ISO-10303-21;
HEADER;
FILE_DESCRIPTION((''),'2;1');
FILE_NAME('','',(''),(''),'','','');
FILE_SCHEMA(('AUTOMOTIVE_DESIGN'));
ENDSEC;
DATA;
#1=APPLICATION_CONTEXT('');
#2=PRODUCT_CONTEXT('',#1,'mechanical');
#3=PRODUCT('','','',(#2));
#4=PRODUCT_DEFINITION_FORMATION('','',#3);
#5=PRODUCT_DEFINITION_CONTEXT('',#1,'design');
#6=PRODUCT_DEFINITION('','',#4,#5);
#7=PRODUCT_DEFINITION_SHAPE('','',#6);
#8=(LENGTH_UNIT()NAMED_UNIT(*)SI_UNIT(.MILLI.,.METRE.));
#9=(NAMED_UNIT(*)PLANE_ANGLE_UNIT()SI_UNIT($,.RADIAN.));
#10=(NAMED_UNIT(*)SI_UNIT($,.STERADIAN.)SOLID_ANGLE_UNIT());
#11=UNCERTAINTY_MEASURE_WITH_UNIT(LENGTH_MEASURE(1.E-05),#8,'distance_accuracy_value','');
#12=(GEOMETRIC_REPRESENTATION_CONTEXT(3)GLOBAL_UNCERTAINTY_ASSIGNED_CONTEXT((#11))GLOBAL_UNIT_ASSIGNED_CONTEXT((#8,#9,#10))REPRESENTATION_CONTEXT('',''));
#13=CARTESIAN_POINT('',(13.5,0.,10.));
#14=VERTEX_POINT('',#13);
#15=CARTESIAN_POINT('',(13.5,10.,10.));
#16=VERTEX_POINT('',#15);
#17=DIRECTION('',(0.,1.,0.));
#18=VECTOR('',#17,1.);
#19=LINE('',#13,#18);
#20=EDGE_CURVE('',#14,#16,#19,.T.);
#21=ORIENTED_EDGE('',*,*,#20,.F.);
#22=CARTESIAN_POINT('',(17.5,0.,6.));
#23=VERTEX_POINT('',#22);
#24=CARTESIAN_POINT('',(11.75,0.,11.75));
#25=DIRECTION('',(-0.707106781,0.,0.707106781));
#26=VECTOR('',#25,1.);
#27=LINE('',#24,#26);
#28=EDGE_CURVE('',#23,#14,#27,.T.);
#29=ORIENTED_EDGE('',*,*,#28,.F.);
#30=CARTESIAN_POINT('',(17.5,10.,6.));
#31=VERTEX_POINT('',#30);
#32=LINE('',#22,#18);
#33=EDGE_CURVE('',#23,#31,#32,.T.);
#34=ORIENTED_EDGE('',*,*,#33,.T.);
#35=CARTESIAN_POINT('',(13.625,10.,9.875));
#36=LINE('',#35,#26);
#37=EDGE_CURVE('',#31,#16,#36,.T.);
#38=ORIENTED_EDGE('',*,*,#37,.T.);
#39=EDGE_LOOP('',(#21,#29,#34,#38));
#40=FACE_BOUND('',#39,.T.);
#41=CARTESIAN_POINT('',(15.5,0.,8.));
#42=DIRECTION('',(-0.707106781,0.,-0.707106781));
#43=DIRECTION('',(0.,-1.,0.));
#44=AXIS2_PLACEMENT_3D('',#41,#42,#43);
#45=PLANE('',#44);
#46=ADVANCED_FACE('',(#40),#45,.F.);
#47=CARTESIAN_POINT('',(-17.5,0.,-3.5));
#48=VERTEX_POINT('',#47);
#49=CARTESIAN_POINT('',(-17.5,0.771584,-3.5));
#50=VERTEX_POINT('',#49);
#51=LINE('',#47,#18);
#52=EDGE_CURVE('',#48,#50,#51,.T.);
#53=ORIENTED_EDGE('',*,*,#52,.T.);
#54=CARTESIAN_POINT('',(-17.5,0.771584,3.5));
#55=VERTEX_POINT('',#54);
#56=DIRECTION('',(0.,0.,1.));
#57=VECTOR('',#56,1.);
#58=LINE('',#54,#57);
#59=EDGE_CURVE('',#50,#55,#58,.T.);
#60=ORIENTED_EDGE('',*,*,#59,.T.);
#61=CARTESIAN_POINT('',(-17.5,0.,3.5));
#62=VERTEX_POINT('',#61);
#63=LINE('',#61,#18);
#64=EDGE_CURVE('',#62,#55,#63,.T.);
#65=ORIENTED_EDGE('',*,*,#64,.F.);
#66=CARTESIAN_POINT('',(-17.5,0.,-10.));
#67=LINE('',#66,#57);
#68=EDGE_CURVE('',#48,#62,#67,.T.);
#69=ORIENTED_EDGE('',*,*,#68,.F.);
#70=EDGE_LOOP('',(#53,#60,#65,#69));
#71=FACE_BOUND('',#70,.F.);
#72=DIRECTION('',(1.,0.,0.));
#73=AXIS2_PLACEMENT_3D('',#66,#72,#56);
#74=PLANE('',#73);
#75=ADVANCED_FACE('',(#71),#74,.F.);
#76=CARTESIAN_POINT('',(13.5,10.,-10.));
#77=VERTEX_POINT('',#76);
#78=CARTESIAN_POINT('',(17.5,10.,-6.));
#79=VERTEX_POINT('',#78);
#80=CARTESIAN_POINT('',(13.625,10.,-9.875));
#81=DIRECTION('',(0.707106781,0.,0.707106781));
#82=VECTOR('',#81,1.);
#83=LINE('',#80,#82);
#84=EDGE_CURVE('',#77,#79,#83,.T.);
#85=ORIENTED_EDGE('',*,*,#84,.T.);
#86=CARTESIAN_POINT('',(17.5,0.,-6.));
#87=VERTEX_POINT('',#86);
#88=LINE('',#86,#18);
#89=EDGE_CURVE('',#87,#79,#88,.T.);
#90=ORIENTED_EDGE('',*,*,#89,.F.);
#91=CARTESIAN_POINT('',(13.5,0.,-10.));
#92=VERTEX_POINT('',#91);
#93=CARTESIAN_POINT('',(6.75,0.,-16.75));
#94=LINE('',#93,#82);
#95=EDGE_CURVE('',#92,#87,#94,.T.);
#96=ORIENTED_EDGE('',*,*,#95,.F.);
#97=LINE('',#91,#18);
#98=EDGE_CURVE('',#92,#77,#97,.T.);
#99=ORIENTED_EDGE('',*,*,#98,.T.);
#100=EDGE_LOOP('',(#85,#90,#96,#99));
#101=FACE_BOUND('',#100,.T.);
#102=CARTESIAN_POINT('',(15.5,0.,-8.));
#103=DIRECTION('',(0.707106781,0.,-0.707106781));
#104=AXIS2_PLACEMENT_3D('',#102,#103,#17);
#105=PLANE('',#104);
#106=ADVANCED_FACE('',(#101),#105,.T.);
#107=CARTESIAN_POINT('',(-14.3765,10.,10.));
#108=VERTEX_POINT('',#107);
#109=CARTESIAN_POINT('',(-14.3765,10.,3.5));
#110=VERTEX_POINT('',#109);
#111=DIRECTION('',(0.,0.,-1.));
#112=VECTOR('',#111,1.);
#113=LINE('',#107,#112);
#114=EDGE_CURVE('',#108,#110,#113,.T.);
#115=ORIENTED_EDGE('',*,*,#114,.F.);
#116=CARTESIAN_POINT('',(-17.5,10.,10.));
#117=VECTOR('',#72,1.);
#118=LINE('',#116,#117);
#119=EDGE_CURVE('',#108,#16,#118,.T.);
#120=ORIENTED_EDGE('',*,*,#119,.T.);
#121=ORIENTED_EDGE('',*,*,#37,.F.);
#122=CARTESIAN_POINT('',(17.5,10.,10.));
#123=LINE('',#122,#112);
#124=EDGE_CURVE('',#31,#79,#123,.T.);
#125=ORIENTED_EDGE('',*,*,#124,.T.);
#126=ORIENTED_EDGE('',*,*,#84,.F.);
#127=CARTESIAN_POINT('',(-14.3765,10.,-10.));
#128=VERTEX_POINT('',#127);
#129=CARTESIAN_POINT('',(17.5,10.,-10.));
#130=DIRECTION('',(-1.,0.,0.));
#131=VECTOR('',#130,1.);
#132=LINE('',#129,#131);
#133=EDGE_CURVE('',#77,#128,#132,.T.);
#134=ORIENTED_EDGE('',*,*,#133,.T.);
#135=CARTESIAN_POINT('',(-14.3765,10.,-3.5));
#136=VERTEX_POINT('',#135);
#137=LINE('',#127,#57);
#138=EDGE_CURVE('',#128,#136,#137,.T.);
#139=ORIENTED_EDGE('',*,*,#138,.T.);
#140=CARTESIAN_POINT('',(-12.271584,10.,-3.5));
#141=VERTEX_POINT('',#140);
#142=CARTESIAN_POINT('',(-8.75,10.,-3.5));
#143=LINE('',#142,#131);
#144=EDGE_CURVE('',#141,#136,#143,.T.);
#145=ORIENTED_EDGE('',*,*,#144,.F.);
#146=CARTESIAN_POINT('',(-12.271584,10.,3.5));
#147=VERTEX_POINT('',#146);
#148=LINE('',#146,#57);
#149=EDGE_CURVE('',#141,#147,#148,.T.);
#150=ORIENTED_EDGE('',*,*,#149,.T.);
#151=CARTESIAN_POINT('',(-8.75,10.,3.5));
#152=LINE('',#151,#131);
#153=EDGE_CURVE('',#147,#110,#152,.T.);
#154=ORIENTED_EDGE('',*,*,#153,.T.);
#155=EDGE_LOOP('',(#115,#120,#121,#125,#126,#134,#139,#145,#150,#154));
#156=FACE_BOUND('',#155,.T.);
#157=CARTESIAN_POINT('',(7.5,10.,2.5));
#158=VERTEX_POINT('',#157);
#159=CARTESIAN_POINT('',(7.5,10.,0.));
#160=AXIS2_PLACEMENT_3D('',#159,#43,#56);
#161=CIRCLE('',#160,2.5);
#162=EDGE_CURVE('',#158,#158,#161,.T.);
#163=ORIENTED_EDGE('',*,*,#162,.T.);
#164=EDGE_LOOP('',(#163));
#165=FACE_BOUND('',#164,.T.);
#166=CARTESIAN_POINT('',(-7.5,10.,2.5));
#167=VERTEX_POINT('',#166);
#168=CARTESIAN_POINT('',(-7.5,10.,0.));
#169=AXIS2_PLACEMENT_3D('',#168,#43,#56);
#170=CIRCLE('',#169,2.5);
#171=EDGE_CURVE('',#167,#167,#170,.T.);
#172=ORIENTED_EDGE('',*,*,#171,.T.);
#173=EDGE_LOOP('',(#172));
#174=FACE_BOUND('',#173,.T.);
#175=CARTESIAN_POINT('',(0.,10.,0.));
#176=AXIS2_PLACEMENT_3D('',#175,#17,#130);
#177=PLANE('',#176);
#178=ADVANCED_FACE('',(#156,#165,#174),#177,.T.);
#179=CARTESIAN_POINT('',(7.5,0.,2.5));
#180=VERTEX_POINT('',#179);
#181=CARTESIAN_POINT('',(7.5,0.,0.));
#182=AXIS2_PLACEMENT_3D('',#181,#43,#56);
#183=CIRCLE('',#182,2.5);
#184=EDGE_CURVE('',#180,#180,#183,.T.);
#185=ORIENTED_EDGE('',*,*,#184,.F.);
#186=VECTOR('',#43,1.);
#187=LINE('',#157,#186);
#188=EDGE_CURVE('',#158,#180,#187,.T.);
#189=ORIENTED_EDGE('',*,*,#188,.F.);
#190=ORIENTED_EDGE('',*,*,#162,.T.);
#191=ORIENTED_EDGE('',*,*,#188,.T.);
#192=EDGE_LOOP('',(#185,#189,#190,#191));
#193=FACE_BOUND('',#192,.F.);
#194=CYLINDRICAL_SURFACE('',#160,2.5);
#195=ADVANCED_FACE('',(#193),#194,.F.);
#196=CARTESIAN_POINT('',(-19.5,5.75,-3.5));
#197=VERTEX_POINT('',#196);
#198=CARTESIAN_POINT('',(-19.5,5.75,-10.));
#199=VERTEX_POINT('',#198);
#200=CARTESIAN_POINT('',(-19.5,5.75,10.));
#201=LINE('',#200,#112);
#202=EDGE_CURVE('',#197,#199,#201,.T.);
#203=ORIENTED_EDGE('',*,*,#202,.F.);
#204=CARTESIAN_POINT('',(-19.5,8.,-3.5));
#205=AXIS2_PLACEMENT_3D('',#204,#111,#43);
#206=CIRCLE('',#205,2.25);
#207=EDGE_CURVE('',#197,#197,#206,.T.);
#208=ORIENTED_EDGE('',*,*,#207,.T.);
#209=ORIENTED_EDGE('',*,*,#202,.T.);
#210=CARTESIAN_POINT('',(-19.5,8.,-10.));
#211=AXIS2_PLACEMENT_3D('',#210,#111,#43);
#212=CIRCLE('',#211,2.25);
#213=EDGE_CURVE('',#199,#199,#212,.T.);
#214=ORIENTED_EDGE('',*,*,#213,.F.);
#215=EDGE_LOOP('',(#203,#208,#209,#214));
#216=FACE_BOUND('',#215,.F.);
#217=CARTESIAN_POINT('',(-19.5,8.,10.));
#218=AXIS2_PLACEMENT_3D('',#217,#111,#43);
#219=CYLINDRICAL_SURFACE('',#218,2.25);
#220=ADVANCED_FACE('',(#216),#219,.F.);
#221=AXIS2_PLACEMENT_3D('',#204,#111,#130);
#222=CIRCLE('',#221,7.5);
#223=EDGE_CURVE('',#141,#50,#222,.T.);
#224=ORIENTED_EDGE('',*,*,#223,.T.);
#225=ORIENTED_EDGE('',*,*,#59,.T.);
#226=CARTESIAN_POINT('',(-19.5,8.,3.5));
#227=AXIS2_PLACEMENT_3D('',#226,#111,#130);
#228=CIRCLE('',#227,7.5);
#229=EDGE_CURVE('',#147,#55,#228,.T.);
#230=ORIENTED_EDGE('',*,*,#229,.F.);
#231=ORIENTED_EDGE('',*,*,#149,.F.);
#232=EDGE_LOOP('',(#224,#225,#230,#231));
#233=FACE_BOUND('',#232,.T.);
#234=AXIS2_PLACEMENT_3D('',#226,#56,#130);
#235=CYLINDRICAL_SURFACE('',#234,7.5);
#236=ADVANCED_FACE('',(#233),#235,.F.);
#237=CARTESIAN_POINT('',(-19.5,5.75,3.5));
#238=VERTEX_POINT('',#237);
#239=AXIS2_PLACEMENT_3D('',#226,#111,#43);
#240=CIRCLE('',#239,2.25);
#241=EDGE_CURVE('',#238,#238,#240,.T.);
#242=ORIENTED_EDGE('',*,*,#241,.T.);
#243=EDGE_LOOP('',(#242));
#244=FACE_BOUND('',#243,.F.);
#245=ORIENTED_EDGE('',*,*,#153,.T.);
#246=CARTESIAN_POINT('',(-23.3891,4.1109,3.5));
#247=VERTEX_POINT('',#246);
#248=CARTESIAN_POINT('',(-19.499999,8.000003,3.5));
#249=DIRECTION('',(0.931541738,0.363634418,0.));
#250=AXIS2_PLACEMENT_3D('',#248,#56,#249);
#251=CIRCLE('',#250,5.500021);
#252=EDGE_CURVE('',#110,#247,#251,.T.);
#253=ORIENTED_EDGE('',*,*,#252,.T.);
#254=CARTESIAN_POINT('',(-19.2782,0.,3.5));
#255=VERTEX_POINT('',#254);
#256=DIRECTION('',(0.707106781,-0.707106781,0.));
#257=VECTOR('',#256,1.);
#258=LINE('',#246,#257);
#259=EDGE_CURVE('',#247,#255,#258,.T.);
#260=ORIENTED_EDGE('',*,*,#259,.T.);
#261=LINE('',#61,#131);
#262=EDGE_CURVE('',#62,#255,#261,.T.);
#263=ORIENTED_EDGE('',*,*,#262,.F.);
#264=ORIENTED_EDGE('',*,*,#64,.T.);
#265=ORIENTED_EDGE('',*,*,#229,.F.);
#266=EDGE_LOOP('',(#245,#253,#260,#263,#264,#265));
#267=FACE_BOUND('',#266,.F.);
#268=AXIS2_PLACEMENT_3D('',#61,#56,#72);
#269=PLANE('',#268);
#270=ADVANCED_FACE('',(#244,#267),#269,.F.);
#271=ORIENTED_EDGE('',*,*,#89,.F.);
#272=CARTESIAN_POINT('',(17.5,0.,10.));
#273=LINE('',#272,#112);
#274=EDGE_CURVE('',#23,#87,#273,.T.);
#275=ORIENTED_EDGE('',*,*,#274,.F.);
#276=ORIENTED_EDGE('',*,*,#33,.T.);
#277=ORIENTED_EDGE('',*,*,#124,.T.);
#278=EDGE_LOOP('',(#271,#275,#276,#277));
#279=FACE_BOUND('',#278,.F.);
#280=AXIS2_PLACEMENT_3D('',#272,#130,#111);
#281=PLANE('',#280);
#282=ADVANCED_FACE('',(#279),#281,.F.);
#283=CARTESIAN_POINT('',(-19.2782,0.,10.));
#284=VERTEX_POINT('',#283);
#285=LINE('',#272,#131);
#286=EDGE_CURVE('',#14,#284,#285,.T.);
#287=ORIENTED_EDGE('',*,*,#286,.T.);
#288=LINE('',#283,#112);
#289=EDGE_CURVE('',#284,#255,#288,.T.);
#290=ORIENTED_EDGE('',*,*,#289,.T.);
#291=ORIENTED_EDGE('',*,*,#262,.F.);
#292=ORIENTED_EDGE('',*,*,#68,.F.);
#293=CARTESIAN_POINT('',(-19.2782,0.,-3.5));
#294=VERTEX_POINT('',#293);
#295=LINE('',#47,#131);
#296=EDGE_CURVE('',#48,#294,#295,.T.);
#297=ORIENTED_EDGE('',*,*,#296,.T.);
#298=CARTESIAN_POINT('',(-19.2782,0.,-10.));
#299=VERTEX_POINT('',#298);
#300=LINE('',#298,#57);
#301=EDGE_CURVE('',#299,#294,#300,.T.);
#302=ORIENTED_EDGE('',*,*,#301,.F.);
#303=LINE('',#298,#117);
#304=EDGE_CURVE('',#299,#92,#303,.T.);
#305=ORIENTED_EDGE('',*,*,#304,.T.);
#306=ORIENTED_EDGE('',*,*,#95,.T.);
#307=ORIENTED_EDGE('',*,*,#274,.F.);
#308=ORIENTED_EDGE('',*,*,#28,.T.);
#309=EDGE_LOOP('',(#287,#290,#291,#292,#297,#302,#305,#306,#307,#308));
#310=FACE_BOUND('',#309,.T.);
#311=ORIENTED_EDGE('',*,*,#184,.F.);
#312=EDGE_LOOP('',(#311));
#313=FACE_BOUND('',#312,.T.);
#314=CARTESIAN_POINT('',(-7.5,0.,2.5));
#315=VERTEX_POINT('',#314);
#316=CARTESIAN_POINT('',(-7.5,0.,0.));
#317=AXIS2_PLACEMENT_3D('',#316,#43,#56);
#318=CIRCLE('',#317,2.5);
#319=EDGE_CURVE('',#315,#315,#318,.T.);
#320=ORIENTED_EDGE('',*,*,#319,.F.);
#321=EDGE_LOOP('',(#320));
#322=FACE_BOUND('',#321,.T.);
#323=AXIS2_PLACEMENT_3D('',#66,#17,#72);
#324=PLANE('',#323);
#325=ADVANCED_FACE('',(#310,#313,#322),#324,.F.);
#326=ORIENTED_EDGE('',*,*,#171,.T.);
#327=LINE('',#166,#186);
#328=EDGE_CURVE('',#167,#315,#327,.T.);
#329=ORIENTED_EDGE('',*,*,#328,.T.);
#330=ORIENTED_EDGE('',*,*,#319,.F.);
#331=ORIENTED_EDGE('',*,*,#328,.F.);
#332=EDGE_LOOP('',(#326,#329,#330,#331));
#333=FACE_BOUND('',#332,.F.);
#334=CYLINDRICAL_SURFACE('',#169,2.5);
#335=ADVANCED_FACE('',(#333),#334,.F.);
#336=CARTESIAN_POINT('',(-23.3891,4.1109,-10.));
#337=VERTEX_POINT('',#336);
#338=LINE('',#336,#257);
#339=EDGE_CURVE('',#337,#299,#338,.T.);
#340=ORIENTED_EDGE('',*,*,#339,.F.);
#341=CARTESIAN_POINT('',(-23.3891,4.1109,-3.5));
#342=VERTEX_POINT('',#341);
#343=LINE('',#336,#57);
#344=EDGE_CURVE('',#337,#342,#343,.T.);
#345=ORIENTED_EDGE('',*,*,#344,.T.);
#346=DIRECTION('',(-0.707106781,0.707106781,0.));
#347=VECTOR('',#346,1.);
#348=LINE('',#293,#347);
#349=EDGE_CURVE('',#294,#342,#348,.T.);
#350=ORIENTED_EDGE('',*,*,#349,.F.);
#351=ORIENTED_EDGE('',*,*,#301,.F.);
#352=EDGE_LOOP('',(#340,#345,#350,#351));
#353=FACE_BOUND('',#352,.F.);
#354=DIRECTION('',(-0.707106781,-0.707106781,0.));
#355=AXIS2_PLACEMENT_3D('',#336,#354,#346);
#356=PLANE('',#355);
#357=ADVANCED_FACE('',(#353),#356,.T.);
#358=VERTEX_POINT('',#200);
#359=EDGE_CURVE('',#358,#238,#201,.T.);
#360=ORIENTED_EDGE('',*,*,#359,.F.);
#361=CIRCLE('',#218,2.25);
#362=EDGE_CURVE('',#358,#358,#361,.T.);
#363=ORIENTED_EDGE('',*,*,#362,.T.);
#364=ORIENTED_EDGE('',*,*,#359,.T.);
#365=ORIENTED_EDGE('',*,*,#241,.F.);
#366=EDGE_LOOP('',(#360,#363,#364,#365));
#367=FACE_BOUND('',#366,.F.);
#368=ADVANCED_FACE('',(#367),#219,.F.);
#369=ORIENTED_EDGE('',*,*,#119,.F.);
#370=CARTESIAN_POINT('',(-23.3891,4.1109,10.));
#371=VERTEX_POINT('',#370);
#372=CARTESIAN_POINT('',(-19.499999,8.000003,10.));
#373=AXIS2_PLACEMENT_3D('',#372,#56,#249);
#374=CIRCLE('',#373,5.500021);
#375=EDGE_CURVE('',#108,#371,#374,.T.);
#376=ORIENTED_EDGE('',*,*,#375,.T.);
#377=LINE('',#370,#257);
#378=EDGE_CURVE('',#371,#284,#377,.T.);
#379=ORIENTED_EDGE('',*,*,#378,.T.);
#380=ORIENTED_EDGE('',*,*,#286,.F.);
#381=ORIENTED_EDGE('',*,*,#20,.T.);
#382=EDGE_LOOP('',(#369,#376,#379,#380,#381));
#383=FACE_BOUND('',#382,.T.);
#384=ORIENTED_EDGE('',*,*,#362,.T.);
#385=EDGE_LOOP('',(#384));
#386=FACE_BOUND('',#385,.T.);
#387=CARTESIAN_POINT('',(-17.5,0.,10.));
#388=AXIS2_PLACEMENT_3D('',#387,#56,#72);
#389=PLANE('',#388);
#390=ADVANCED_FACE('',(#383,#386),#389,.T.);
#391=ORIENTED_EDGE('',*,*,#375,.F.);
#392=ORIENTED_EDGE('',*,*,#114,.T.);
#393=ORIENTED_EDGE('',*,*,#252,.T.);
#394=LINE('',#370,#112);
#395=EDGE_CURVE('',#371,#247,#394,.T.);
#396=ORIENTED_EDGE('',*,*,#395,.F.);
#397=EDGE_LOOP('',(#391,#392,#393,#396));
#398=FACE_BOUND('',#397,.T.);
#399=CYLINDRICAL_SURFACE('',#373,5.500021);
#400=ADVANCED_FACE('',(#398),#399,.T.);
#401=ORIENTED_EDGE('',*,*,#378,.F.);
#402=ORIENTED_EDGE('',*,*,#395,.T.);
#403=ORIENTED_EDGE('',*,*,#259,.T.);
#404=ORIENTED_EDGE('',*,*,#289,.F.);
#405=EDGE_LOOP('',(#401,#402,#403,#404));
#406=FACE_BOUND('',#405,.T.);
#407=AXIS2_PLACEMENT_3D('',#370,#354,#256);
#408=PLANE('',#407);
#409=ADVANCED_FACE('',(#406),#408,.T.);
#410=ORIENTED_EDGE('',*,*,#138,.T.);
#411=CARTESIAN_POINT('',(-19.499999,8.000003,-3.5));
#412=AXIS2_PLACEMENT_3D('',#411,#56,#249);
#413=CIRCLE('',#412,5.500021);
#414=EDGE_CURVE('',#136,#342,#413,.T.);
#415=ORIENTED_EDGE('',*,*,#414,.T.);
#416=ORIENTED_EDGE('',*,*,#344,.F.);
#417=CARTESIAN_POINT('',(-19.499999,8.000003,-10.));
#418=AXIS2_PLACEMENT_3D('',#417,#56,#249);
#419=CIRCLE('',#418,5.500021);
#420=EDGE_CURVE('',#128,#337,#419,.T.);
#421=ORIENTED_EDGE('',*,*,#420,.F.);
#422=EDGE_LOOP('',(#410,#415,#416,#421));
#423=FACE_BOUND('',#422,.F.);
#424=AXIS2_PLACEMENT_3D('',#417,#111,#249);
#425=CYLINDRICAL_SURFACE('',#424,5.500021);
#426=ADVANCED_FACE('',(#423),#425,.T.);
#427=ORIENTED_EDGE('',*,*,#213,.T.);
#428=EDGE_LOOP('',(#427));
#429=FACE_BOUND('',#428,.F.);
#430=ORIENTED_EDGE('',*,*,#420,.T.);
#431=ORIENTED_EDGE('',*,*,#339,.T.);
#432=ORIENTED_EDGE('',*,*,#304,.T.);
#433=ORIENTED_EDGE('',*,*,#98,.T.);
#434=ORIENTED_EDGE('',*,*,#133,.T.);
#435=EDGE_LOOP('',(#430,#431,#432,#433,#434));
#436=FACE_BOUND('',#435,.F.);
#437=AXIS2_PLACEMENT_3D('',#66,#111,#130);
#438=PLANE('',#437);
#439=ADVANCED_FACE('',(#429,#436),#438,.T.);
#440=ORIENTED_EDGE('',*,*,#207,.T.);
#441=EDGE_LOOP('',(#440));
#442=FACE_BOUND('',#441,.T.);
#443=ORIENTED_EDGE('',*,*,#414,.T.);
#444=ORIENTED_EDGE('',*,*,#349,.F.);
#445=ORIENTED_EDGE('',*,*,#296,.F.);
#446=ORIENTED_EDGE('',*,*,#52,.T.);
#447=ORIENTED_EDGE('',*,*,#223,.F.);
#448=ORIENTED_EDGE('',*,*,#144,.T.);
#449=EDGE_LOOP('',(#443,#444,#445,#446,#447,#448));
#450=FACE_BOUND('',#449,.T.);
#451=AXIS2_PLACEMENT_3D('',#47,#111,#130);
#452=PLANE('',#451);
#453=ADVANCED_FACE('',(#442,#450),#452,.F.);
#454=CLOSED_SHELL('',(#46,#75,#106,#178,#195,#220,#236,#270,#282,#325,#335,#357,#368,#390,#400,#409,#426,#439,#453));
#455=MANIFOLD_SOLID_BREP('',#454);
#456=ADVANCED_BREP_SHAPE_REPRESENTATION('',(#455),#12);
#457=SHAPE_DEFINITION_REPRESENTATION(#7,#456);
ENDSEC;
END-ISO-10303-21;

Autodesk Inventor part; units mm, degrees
ref_plane "YZ Plane" through (0, 0, 0) normal (1, 0, 0) x (0, 1, 0)
ref_plane "XZ Plane" through (0, 0, 0) normal (0, 1, 0) x (-1, 0, 0)
ref_plane "XY Plane" through (0, 0, 0) normal (0, 0, 1) x (1, 0, 0)
sketch "Sketch1" plane through (0, 0, 0) normal (0, 1, 0) x (-1, 0, 0)
  line L0 (17.5, 10) -> (-17.5, 10)
  line L1 (-17.5, 10) -> (-17.5, -10)
  line L2 (-17.5, -10) -> (17.5, -10)
  line L3 (17.5, -10) -> (17.5, 10)
  line L4 (17.5, 10) -> (-17.5, -10) construction
  line L5 (-17.5, 10) -> (17.5, -10) construction
  point P0 (0, 0)
  dimension "d0" = 35
  dimension "d1" = 20
extrude "Extrusion1" add sketch "Sketch1" along normal blind 10
sketch "Sketch2" plane through (0, 10, 0) normal (0, 1, 0) x (1, 0, 0)
  line L0 (-17.5, 10) -> (-17.5, -10) projected
  line L1 (17.5, -10) -> (17.5, 10) projected
  point P0 (0, 0)
  point P1 (-7.5, 0)
  point P2 (7.5, 0)
  dimension "d4" = 10
  dimension "d5" = 10
hole "Hole1" at (-7.5, 10, 0) at (7.5, 10, 0) direction (0, -1, 0) diameter 5 end through all
sketch "Sketch3" plane through (-17.5, 0, 10) normal (0, 0, 1) x (1, 0, 0)
  arc A0 (3.1235, 10) -> (-5.8891, 4.1109) centre (-2, 8) ccw
  line L0 (0, 0) -> (0, 10) projected
  line L1 (0, 0) -> (35, 0) projected
  line L2 (-5.8891, 4.1109) -> (-1.7782, 0)
  line L3 (0, 0) -> (-1.7782, 0)
  line L4 (0, 10) -> (35, 10) projected
  point P0 (17.5, 0)
  dimension "d13" = 11
  dimension "d14" = 2
  dimension "d15" = 8
  dimension "d18" = 135
extrude "Extrusion2" add sketch "Sketch3" against normal blind 6.5
mirror "Mirror1" about plane through (0, 0, 0) normal (0, 0, 1) of "Extrusion2"
sketch "Sketch4" plane through (-17.5, 0, 3.5) normal (0, 0, -1) x (-1, 0, 0)
  arc A0 (5.8891, 4.1109) -> (-3.1235, 10) centre (2, 8) ccw projected
  circle A1 centre (2, 8) radius 7.5
  point P0 (-17.5, 0)
  dimension "d21" = 15
extrude "Extrusion3" cut sketch "Sketch4" along normal up to surface (7 mm away)
sketch "Sketch5" plane through (17.5, 0, 10) normal (0, 0, 1) x (1, 0, 0)
  arc A0 (-31.8765, 10) -> (-40.8891, 4.1109) centre (-37, 8) ccw projected
  point P0 (-17.5, 0)
hole "Hole2" at (-19.5, 8, 10) direction (0, 0, -1) diameter 4.5 end through all
chamfer "Chamfer1" distance 4 angle 45 2 edges at (17.5, 5, 10) (17.5, 5, -10)
properties part number "Piston Wall Guide" material "ASA Plastic"
